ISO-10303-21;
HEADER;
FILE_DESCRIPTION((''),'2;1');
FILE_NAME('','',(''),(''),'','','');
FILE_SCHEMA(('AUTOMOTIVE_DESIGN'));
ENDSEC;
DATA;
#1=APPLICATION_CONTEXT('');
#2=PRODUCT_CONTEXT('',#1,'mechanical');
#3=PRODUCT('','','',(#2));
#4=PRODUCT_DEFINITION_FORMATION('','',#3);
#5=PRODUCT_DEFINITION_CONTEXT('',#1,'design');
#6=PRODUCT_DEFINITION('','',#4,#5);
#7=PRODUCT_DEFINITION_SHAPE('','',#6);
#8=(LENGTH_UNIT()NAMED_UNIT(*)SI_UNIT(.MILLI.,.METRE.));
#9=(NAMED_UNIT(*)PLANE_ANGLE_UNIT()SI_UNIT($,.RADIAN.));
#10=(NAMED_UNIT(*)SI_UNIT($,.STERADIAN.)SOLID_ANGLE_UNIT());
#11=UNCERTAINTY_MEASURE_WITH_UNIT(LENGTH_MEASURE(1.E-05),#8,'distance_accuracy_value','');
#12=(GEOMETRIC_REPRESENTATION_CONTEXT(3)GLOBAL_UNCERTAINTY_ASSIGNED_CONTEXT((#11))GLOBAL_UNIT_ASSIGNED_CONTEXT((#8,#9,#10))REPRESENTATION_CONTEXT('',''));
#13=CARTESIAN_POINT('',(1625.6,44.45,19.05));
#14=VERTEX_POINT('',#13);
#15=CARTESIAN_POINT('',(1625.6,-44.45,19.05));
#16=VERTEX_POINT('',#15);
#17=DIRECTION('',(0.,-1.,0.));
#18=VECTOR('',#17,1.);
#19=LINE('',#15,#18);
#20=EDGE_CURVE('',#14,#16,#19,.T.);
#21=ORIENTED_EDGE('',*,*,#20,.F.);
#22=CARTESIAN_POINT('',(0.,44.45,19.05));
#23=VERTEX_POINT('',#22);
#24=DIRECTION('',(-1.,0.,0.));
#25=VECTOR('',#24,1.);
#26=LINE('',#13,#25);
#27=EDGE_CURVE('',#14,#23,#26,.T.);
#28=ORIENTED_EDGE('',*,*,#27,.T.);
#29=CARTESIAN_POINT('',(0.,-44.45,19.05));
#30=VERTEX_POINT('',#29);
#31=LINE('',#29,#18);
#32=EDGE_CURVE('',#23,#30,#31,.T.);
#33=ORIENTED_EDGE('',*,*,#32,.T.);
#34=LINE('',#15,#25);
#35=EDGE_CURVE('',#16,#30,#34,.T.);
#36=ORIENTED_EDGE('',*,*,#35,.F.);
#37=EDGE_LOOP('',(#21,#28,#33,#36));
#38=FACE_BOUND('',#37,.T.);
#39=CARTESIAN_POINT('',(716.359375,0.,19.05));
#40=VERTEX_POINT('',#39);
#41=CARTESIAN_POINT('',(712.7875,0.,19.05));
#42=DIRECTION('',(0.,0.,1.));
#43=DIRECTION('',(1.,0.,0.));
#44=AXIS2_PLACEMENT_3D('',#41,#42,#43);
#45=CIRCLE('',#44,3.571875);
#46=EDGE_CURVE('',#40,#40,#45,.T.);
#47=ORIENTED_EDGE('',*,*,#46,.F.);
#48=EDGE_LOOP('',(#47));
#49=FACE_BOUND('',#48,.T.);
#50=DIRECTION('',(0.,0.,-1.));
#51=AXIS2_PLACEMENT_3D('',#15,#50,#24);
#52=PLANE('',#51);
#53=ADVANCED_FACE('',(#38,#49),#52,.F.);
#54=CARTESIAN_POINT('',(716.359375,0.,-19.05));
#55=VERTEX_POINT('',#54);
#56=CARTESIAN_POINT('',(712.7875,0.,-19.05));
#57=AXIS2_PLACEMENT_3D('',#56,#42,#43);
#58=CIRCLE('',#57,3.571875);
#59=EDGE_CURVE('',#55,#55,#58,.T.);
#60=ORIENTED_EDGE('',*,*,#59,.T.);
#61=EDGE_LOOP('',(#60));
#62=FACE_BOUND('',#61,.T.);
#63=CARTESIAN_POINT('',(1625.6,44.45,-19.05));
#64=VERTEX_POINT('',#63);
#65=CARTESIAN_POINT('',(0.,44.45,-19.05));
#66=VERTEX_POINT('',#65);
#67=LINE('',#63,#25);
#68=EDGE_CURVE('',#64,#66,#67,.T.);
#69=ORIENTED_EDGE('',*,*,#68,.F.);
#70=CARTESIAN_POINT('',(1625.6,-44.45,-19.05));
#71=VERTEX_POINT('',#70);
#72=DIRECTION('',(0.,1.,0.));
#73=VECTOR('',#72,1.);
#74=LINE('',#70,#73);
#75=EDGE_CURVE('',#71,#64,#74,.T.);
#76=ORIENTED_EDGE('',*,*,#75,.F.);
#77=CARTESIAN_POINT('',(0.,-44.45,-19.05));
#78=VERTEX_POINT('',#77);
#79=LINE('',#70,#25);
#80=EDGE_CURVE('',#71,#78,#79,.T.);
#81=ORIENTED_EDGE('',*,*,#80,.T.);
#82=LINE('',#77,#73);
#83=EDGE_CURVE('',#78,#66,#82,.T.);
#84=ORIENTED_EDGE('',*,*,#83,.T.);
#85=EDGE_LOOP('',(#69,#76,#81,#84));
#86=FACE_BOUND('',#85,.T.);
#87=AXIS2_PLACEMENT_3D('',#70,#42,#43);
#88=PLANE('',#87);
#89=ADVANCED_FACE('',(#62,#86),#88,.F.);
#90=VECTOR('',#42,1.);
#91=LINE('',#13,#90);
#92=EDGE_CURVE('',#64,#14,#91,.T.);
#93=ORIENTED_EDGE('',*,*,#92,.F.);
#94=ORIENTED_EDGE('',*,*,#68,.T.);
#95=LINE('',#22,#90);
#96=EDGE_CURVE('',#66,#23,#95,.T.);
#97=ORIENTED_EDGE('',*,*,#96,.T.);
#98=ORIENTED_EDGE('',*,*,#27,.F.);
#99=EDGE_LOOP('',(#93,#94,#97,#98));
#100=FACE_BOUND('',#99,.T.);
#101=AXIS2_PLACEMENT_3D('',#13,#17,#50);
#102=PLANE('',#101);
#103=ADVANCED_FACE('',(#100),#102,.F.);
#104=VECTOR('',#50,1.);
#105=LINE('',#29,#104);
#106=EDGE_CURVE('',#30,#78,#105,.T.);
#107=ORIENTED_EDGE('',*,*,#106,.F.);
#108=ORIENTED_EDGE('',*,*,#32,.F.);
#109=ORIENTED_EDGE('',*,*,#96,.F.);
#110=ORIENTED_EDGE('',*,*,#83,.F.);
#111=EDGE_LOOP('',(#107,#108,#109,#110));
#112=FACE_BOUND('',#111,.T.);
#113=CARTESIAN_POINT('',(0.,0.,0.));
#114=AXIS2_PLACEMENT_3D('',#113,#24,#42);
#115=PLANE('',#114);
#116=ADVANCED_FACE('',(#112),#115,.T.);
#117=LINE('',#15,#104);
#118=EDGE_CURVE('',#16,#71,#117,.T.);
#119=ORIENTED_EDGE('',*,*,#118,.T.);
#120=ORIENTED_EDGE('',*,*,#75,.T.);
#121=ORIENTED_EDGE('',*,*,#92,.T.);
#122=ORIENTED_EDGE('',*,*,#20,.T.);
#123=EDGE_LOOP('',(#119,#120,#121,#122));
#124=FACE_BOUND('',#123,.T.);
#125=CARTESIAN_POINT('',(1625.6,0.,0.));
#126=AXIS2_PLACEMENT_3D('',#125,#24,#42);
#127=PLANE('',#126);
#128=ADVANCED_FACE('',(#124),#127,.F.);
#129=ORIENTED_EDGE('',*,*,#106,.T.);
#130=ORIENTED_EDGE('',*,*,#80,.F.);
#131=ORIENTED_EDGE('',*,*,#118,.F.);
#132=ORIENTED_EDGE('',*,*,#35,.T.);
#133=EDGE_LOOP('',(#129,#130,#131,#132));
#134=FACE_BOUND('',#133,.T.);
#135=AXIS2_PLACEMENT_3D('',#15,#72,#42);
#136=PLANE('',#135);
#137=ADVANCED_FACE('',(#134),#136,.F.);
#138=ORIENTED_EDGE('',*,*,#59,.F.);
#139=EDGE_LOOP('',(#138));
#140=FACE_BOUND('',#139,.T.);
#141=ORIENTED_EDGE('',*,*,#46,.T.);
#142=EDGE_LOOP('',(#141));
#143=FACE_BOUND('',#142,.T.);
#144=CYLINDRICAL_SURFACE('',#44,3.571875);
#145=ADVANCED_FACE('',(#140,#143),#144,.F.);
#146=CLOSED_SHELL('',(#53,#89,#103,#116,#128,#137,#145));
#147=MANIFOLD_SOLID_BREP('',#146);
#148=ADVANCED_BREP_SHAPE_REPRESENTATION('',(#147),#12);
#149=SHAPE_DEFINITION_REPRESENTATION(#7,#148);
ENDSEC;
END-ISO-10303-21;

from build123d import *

# Parameters (mm, degrees)
SKETCH1_W                       = 38.1
SKETCH1_H                       = 88.9
BOSS_EXTRUDE1_DEPTH             = 1625.6
F_9_32_0_28125_DIAMETER_HOLE1_D = 7.14375


with BuildPart() as part:
    # Sketch1 → Boss-Extrude1 (new body)
    with BuildSketch(Plane(origin=(0, 0, 0), x_dir=(0, 0, -1), z_dir=(1, 0, 0))):
        Rectangle(SKETCH1_W, SKETCH1_H)
    extrude(amount=BOSS_EXTRUDE1_DEPTH)

    # 9/32 (0.28125) Diameter Hole1 (through all)
    with Locations(Plane.XY.offset(19.05)):
        with Locations((712.7875, 0)):
            Hole(F_9_32_0_28125_DIAMETER_HOLE1_D / 2)


solid = part.part
